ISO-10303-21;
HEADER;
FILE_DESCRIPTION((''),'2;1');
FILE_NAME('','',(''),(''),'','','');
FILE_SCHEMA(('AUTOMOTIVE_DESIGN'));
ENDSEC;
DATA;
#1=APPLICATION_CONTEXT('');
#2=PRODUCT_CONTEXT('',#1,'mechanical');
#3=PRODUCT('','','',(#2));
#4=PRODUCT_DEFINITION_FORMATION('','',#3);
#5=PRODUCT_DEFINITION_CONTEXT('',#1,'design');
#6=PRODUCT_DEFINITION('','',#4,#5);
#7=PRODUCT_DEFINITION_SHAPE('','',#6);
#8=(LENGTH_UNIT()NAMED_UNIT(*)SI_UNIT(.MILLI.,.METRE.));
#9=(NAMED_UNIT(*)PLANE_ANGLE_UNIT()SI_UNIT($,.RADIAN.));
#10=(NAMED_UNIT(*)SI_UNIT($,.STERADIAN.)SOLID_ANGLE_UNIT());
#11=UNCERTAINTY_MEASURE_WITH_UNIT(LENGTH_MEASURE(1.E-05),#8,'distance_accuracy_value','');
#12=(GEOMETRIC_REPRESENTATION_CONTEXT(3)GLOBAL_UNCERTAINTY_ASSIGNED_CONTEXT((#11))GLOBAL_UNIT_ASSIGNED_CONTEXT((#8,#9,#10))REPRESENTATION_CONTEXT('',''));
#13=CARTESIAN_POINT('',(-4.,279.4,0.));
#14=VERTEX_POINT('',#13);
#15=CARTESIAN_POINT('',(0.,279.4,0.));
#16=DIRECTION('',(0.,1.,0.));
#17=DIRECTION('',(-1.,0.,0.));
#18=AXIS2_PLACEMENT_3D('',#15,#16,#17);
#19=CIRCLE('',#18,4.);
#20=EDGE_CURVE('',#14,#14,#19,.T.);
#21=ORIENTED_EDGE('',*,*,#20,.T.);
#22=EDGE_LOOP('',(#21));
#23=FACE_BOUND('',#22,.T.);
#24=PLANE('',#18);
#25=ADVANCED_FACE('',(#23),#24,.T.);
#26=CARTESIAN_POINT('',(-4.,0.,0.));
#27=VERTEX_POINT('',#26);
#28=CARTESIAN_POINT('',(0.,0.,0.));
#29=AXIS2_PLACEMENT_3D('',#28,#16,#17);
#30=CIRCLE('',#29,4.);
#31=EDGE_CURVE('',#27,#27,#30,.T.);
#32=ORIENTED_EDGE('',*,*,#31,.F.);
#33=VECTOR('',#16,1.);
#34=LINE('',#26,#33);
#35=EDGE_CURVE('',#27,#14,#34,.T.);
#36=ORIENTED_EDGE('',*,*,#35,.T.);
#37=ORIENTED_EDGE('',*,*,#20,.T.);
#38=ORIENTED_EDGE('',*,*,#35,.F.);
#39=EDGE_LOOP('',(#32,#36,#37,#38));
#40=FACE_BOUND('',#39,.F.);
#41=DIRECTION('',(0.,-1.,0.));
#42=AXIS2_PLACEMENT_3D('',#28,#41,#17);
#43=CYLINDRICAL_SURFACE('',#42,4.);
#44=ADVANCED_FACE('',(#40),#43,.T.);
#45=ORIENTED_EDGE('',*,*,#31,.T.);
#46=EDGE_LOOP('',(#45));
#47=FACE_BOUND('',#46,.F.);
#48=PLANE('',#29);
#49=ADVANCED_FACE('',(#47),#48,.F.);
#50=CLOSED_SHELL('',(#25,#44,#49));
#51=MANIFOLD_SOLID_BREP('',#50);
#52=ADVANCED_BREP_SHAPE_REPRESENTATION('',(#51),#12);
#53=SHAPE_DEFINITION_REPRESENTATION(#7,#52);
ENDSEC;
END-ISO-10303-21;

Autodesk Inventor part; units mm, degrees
ref_plane "YZ Plane" through (0, 0, 0) normal (1, 0, 0) x (0, 1, 0)
ref_plane "XZ Plane" through (0, 0, 0) normal (0, 1, 0) x (-1, 0, 0)
ref_plane "XY Plane" through (0, 0, 0) normal (0, 0, 1) x (1, 0, 0)
sketch "Sketch1" plane through (0, 0, 0) normal (0, 1, 0) x (-1, 0, 0)
  circle A0 centre (0, 0) radius 4
  dimension "shaft_diameter" = 8
extrude "Extrusion1" add sketch "Sketch1" along normal blind 279.4
properties part number "Shaft (Connecting First Link to Second Link) V5"
